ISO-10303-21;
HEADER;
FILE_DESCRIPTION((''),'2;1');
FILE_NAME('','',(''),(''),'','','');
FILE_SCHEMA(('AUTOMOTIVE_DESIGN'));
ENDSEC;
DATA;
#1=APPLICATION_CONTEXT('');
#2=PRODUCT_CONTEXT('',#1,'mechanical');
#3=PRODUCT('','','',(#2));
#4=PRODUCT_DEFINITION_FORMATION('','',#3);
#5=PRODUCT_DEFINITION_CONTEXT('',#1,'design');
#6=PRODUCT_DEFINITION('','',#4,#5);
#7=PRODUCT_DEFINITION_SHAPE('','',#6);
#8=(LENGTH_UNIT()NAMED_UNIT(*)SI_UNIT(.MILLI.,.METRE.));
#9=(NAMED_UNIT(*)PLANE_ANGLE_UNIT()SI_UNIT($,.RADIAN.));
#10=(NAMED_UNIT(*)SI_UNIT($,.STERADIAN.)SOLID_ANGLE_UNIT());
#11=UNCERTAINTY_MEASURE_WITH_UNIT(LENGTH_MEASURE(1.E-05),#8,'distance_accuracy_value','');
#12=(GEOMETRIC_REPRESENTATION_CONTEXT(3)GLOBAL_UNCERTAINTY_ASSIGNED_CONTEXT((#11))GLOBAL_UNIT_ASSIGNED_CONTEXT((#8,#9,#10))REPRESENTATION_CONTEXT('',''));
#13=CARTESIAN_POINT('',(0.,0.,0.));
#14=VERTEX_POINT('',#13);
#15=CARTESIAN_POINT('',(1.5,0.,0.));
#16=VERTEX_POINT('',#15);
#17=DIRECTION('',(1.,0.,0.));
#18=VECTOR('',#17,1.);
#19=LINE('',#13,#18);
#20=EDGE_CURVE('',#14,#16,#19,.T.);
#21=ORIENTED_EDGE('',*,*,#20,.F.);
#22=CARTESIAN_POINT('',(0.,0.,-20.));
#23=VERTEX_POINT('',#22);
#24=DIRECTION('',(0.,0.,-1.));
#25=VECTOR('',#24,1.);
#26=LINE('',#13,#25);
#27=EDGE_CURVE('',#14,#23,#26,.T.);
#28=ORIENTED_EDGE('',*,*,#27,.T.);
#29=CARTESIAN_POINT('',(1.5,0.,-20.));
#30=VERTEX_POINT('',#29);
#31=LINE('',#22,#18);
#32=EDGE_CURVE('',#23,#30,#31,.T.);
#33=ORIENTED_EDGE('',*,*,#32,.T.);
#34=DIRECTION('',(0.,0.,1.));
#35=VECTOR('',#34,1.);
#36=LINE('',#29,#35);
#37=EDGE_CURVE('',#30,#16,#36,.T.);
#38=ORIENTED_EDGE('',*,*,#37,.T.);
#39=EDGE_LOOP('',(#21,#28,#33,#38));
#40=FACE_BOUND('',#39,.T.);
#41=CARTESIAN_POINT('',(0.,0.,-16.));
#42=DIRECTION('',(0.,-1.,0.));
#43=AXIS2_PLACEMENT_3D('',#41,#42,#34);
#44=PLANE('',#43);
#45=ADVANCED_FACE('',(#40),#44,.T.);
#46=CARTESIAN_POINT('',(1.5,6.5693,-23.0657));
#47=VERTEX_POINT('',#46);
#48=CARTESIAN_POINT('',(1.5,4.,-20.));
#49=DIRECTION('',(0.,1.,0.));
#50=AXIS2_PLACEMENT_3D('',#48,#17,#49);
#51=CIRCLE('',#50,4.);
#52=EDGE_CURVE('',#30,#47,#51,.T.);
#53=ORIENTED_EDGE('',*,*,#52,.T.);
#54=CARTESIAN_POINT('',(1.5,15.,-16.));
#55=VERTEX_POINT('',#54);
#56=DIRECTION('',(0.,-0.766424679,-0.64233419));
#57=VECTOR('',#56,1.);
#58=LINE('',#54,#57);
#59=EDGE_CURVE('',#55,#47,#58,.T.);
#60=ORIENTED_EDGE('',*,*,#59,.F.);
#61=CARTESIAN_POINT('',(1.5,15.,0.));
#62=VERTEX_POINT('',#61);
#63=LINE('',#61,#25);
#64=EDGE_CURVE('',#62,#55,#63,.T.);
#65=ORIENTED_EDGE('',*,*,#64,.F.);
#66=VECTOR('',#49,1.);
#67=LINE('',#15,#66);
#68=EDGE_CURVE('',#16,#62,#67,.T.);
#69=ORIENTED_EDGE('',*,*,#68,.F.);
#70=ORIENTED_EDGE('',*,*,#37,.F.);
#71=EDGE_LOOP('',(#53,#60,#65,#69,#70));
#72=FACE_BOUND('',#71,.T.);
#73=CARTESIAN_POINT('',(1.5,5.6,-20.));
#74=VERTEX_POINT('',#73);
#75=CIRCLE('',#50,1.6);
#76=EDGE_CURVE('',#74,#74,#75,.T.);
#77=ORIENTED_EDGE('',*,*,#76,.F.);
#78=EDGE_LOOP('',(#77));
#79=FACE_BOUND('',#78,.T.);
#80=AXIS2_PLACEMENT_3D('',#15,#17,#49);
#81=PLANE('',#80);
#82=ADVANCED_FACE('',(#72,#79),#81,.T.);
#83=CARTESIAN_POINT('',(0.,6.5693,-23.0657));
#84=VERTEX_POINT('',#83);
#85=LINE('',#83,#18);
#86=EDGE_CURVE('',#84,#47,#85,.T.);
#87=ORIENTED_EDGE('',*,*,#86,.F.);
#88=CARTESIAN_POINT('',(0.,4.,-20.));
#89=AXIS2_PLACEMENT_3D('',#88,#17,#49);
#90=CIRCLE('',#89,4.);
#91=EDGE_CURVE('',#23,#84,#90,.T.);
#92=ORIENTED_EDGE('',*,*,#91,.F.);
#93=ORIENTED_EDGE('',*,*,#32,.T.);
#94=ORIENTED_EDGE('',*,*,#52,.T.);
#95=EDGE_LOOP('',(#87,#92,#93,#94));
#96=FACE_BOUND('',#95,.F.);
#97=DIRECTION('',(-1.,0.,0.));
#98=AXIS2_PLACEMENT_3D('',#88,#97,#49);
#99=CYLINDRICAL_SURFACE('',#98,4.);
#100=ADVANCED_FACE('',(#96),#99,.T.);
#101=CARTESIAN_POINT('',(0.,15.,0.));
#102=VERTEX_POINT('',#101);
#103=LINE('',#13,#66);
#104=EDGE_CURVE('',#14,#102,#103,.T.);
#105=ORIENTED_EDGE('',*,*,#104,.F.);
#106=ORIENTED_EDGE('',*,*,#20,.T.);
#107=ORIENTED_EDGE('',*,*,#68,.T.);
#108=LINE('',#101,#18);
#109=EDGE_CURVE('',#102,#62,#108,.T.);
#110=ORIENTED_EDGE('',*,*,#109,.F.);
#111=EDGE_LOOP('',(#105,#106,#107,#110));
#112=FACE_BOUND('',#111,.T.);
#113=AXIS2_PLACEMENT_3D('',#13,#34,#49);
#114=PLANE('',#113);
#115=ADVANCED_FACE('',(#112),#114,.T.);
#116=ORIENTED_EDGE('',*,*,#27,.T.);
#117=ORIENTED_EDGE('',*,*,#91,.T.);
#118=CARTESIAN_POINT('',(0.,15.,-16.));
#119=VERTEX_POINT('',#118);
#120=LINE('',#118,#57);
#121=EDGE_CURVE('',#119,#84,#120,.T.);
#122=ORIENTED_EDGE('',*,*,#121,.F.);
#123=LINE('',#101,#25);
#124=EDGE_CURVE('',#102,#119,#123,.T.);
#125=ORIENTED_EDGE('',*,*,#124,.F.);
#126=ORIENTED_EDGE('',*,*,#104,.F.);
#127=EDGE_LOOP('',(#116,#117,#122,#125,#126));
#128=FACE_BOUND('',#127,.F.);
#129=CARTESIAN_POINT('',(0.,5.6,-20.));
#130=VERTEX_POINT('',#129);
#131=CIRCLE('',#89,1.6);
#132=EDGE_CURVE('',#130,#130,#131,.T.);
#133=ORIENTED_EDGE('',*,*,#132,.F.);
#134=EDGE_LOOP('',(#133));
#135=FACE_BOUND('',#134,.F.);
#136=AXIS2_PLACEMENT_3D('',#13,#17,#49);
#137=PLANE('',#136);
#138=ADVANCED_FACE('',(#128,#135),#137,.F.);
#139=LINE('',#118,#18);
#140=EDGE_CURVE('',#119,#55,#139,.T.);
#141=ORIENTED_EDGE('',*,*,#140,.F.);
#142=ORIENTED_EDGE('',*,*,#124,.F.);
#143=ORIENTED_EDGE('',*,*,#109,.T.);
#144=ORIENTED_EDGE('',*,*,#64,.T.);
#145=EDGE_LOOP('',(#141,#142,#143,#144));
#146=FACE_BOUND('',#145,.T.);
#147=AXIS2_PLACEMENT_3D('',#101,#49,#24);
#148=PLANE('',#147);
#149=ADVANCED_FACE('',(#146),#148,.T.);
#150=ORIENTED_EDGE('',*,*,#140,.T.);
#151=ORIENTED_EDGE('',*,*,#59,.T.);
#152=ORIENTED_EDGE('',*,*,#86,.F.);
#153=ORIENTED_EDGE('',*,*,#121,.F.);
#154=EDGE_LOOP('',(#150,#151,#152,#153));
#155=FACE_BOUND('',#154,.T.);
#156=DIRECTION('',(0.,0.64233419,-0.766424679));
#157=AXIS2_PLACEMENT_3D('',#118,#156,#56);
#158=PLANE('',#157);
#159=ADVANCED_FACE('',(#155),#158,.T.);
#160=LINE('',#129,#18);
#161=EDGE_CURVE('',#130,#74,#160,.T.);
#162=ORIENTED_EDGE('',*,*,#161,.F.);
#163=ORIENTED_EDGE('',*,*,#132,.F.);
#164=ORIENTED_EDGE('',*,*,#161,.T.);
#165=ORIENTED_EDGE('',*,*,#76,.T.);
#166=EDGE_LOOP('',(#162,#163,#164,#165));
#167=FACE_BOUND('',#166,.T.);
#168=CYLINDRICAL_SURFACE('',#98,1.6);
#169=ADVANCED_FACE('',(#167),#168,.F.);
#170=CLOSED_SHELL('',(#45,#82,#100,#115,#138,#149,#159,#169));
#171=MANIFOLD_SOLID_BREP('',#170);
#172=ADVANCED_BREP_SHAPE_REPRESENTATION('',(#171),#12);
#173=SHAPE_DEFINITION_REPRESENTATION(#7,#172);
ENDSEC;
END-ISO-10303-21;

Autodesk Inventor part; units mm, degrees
ref_plane "YZ Plane" through (0, 0, 0) normal (1, 0, 0) x (0, 1, 0)
ref_plane "XZ Plane" through (0, 0, 0) normal (0, 1, 0) x (-1, 0, 0)
ref_plane "XY Plane" through (0, 0, 0) normal (0, 0, 1) x (1, 0, 0)
sketch "スケッチ1" plane through (0, 0, 0) normal (1, 0, 0) x (0, 1, 0)
  line L0 (0, 0) -> (15, 0)
  line L1 (15, 0) -> (15, -16)
  line L2 (15, -16) -> (0, -16)
  line L3 (0, -16) -> (0, 0)
  circle A0 centre (4, -20) radius 4
  circle A1 centre (4, -20) radius 1.6
  line L4 (15, -16) -> (6.5693, -23.0657)
  line L5 (0, -20) -> (0, -16)
  dimension "d0" = 15
  dimension "d2" = 3.2
  dimension "d3" = 8
  dimension "d5" = 20
extrude "プレート1" add sketch "スケッチ1" along normal blind 1.5
equation "\"d4\" = Thickness"
equation "\"BendRadius\" = Thickness"
equation "\"BendReliefWidth\" = Thickness"
equation "\"BendReliefDepth\" = 0.5 * Thickness"
equation "\"CornerReliefSize\" = 4 * Thickness"
equation "\"MinimumRemnant\" = 2 * Thickness"
equation "\"TransitionRadius\" = BendRadius"
equation "\"JacobiRadiusSize\" = BendRadius"
equation "\"GapSize\" = Thickness"
equation "\"Thickness\" = 1.5"
properties part number "battery_cover_setter_joint"
